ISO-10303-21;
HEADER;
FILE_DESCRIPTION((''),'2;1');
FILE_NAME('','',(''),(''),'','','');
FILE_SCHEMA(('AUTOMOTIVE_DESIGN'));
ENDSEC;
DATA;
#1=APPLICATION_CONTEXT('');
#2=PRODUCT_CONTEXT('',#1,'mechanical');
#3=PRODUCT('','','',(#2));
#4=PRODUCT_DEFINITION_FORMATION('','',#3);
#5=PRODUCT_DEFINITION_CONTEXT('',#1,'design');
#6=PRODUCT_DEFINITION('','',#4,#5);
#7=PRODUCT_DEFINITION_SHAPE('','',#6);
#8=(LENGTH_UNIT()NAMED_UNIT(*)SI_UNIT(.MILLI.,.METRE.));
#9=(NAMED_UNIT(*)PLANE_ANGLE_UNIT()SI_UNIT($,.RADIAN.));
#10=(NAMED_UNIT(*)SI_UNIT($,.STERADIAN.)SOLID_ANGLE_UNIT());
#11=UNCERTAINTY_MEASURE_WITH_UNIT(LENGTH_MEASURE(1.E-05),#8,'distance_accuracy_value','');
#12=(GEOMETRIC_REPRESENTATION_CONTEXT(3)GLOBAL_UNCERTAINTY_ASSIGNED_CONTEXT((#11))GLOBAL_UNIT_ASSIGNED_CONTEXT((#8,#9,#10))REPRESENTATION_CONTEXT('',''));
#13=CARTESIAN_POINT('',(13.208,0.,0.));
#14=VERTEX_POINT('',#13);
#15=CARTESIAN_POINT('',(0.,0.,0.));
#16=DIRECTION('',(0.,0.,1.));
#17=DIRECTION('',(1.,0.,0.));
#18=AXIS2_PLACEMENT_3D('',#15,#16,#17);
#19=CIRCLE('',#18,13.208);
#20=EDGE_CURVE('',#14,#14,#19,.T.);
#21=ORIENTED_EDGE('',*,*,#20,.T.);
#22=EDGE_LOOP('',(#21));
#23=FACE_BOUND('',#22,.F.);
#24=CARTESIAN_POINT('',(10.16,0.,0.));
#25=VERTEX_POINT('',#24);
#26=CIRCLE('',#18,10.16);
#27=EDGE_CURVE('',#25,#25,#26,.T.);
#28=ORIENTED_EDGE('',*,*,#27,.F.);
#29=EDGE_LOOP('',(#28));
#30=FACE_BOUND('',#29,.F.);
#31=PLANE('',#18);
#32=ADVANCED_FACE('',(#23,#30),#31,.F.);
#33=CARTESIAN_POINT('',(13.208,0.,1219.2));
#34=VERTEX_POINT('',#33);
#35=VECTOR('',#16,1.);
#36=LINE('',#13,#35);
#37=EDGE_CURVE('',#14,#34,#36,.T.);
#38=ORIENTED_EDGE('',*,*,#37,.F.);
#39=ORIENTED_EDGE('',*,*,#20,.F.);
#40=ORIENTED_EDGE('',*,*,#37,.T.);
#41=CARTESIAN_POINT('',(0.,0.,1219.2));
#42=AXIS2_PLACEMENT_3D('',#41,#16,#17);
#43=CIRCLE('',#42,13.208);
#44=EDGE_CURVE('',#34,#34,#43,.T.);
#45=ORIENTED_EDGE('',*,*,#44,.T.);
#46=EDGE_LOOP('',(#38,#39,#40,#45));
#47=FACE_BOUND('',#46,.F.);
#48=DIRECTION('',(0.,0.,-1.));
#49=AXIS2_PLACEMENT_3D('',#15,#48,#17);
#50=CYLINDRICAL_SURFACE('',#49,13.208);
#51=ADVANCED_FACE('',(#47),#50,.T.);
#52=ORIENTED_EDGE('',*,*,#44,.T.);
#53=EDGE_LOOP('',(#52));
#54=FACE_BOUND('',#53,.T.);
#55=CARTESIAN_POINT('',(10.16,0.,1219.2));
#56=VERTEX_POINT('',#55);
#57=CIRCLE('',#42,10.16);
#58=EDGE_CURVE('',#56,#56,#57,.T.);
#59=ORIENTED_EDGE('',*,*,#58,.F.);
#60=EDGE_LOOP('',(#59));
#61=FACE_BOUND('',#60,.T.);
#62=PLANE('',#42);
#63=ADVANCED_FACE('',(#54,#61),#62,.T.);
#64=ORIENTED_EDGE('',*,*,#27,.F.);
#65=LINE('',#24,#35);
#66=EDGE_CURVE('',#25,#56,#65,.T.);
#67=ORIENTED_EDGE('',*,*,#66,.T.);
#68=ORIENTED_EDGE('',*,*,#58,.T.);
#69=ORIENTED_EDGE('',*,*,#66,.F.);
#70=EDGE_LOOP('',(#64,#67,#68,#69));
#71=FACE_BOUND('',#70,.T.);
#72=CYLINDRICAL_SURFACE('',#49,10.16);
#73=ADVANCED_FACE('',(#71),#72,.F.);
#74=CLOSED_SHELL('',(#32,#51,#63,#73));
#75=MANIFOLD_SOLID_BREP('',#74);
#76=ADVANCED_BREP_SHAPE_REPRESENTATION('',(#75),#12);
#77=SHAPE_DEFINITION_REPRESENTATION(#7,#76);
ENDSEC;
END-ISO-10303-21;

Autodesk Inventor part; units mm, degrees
ref_plane "YZ Plane" through (0, 0, 0) normal (1, 0, 0) x (0, 1, 0)
ref_plane "XZ Plane" through (0, 0, 0) normal (0, 1, 0) x (-1, 0, 0)
ref_plane "XY Plane" through (0, 0, 0) normal (0, 0, 1) x (1, 0, 0)
sketch "Sketch1" plane through (0, 0, 0) normal (0, 0, 1) x (1, 0, 0)
  circle A0 centre (0, 0) radius 13.208
  circle A1 centre (0, 0) radius 10.16
  dimension "d0" = 26.416
  dimension "d1" = 20.32
extrude "Extrusion1" add sketch "Sketch1" along normal blind 1219.2
properties part number "Spar"
